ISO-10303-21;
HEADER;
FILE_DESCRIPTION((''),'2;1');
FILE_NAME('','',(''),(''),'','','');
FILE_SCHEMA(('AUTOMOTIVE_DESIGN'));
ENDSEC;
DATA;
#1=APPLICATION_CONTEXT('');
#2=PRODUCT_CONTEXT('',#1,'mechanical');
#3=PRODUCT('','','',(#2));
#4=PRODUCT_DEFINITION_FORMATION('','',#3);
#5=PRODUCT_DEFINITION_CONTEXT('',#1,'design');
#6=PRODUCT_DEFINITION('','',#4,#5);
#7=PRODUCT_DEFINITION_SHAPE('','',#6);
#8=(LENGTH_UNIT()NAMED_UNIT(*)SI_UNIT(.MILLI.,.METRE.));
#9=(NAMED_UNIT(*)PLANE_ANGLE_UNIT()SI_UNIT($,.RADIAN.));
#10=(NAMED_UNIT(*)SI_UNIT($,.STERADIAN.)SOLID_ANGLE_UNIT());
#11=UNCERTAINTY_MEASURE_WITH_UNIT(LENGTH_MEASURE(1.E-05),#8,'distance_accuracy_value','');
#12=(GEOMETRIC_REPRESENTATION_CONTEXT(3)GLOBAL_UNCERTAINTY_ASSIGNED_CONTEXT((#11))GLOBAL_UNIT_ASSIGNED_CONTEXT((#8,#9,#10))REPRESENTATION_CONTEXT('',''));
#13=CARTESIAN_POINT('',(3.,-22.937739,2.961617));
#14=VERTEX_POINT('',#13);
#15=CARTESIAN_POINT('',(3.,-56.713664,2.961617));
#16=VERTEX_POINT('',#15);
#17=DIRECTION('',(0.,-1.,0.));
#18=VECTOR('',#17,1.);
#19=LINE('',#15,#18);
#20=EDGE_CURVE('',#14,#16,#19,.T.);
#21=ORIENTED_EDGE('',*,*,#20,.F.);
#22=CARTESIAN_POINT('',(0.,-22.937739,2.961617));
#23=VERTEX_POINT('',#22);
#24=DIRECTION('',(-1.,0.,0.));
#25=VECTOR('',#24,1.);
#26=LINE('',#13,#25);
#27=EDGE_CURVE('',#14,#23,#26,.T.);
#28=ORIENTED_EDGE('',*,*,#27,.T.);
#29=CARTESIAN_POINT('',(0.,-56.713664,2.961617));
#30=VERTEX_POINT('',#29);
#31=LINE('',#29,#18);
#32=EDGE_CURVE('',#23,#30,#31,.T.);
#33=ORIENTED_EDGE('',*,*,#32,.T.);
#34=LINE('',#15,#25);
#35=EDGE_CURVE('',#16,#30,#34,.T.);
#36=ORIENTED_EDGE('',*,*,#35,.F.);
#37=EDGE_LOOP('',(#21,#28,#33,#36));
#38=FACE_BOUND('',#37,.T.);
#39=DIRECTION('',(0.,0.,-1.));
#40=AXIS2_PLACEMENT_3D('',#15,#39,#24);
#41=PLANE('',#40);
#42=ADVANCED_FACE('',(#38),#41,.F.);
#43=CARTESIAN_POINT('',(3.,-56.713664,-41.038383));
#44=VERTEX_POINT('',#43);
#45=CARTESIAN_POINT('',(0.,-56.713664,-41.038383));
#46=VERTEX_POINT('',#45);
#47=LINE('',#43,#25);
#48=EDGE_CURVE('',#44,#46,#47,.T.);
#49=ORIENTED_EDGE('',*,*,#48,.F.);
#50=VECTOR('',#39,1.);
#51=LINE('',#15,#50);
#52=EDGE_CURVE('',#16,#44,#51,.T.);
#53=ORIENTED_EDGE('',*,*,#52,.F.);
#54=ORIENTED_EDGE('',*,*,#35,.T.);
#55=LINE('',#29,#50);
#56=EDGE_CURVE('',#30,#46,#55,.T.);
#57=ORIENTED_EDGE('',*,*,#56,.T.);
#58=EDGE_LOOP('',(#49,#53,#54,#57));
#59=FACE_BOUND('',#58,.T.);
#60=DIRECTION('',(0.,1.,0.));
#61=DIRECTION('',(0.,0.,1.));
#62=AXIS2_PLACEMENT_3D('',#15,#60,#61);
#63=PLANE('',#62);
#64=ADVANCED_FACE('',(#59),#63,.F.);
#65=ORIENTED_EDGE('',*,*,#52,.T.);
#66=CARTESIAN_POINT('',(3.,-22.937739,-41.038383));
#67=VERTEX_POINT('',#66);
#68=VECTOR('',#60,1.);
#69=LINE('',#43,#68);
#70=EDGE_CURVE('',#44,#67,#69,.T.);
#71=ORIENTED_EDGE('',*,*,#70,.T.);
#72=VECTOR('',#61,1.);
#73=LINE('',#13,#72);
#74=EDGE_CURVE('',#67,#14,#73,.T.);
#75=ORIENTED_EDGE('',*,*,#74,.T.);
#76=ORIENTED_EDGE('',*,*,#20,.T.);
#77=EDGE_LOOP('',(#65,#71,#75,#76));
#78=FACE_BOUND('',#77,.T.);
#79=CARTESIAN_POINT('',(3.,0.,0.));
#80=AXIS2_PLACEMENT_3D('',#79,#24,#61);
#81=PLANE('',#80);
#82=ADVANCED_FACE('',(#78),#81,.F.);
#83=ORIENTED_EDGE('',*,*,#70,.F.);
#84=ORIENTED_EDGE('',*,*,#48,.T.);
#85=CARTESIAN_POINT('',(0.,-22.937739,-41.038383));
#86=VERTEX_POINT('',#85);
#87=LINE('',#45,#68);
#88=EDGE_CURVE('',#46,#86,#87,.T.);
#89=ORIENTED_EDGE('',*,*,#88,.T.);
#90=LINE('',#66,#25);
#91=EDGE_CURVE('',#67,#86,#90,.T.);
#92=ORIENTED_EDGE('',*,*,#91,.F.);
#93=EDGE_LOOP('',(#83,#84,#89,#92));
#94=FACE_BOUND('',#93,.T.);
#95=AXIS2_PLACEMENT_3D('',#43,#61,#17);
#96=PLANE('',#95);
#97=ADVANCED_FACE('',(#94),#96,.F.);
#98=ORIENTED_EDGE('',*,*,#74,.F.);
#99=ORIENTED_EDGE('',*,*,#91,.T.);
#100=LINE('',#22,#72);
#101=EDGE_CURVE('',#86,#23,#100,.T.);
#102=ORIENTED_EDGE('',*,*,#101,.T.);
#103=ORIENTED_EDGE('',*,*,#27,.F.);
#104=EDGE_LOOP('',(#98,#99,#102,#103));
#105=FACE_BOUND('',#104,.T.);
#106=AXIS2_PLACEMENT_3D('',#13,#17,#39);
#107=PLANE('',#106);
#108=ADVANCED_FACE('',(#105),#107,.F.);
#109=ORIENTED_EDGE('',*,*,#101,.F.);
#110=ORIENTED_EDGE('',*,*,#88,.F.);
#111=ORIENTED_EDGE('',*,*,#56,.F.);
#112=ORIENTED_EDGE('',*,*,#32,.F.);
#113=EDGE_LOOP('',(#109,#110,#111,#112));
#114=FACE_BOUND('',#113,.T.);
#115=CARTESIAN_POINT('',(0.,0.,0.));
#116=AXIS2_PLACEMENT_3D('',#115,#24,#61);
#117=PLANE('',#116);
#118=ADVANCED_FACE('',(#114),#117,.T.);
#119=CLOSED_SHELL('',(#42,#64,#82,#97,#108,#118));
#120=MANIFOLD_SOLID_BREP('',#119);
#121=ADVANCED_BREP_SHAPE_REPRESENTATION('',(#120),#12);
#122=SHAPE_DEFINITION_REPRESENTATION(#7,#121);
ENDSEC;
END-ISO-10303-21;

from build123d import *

# Parameters (mm, degrees)
SKETCH1_W           = 44
SKETCH1_H           = 33.775924272
BOSS_EXTRUDE1_DEPTH = 3


with BuildPart() as part:
    # Sketch1 → Boss-Extrude1 (new body)
    with BuildSketch(Plane(origin=(0, 0, 0), x_dir=(0, 0, -1), z_dir=(1, 0, 0))):
        with Locations((19.038383019, -39.825701439)):
            Rectangle(SKETCH1_W, SKETCH1_H)
    extrude(amount=BOSS_EXTRUDE1_DEPTH)


solid = part.part
